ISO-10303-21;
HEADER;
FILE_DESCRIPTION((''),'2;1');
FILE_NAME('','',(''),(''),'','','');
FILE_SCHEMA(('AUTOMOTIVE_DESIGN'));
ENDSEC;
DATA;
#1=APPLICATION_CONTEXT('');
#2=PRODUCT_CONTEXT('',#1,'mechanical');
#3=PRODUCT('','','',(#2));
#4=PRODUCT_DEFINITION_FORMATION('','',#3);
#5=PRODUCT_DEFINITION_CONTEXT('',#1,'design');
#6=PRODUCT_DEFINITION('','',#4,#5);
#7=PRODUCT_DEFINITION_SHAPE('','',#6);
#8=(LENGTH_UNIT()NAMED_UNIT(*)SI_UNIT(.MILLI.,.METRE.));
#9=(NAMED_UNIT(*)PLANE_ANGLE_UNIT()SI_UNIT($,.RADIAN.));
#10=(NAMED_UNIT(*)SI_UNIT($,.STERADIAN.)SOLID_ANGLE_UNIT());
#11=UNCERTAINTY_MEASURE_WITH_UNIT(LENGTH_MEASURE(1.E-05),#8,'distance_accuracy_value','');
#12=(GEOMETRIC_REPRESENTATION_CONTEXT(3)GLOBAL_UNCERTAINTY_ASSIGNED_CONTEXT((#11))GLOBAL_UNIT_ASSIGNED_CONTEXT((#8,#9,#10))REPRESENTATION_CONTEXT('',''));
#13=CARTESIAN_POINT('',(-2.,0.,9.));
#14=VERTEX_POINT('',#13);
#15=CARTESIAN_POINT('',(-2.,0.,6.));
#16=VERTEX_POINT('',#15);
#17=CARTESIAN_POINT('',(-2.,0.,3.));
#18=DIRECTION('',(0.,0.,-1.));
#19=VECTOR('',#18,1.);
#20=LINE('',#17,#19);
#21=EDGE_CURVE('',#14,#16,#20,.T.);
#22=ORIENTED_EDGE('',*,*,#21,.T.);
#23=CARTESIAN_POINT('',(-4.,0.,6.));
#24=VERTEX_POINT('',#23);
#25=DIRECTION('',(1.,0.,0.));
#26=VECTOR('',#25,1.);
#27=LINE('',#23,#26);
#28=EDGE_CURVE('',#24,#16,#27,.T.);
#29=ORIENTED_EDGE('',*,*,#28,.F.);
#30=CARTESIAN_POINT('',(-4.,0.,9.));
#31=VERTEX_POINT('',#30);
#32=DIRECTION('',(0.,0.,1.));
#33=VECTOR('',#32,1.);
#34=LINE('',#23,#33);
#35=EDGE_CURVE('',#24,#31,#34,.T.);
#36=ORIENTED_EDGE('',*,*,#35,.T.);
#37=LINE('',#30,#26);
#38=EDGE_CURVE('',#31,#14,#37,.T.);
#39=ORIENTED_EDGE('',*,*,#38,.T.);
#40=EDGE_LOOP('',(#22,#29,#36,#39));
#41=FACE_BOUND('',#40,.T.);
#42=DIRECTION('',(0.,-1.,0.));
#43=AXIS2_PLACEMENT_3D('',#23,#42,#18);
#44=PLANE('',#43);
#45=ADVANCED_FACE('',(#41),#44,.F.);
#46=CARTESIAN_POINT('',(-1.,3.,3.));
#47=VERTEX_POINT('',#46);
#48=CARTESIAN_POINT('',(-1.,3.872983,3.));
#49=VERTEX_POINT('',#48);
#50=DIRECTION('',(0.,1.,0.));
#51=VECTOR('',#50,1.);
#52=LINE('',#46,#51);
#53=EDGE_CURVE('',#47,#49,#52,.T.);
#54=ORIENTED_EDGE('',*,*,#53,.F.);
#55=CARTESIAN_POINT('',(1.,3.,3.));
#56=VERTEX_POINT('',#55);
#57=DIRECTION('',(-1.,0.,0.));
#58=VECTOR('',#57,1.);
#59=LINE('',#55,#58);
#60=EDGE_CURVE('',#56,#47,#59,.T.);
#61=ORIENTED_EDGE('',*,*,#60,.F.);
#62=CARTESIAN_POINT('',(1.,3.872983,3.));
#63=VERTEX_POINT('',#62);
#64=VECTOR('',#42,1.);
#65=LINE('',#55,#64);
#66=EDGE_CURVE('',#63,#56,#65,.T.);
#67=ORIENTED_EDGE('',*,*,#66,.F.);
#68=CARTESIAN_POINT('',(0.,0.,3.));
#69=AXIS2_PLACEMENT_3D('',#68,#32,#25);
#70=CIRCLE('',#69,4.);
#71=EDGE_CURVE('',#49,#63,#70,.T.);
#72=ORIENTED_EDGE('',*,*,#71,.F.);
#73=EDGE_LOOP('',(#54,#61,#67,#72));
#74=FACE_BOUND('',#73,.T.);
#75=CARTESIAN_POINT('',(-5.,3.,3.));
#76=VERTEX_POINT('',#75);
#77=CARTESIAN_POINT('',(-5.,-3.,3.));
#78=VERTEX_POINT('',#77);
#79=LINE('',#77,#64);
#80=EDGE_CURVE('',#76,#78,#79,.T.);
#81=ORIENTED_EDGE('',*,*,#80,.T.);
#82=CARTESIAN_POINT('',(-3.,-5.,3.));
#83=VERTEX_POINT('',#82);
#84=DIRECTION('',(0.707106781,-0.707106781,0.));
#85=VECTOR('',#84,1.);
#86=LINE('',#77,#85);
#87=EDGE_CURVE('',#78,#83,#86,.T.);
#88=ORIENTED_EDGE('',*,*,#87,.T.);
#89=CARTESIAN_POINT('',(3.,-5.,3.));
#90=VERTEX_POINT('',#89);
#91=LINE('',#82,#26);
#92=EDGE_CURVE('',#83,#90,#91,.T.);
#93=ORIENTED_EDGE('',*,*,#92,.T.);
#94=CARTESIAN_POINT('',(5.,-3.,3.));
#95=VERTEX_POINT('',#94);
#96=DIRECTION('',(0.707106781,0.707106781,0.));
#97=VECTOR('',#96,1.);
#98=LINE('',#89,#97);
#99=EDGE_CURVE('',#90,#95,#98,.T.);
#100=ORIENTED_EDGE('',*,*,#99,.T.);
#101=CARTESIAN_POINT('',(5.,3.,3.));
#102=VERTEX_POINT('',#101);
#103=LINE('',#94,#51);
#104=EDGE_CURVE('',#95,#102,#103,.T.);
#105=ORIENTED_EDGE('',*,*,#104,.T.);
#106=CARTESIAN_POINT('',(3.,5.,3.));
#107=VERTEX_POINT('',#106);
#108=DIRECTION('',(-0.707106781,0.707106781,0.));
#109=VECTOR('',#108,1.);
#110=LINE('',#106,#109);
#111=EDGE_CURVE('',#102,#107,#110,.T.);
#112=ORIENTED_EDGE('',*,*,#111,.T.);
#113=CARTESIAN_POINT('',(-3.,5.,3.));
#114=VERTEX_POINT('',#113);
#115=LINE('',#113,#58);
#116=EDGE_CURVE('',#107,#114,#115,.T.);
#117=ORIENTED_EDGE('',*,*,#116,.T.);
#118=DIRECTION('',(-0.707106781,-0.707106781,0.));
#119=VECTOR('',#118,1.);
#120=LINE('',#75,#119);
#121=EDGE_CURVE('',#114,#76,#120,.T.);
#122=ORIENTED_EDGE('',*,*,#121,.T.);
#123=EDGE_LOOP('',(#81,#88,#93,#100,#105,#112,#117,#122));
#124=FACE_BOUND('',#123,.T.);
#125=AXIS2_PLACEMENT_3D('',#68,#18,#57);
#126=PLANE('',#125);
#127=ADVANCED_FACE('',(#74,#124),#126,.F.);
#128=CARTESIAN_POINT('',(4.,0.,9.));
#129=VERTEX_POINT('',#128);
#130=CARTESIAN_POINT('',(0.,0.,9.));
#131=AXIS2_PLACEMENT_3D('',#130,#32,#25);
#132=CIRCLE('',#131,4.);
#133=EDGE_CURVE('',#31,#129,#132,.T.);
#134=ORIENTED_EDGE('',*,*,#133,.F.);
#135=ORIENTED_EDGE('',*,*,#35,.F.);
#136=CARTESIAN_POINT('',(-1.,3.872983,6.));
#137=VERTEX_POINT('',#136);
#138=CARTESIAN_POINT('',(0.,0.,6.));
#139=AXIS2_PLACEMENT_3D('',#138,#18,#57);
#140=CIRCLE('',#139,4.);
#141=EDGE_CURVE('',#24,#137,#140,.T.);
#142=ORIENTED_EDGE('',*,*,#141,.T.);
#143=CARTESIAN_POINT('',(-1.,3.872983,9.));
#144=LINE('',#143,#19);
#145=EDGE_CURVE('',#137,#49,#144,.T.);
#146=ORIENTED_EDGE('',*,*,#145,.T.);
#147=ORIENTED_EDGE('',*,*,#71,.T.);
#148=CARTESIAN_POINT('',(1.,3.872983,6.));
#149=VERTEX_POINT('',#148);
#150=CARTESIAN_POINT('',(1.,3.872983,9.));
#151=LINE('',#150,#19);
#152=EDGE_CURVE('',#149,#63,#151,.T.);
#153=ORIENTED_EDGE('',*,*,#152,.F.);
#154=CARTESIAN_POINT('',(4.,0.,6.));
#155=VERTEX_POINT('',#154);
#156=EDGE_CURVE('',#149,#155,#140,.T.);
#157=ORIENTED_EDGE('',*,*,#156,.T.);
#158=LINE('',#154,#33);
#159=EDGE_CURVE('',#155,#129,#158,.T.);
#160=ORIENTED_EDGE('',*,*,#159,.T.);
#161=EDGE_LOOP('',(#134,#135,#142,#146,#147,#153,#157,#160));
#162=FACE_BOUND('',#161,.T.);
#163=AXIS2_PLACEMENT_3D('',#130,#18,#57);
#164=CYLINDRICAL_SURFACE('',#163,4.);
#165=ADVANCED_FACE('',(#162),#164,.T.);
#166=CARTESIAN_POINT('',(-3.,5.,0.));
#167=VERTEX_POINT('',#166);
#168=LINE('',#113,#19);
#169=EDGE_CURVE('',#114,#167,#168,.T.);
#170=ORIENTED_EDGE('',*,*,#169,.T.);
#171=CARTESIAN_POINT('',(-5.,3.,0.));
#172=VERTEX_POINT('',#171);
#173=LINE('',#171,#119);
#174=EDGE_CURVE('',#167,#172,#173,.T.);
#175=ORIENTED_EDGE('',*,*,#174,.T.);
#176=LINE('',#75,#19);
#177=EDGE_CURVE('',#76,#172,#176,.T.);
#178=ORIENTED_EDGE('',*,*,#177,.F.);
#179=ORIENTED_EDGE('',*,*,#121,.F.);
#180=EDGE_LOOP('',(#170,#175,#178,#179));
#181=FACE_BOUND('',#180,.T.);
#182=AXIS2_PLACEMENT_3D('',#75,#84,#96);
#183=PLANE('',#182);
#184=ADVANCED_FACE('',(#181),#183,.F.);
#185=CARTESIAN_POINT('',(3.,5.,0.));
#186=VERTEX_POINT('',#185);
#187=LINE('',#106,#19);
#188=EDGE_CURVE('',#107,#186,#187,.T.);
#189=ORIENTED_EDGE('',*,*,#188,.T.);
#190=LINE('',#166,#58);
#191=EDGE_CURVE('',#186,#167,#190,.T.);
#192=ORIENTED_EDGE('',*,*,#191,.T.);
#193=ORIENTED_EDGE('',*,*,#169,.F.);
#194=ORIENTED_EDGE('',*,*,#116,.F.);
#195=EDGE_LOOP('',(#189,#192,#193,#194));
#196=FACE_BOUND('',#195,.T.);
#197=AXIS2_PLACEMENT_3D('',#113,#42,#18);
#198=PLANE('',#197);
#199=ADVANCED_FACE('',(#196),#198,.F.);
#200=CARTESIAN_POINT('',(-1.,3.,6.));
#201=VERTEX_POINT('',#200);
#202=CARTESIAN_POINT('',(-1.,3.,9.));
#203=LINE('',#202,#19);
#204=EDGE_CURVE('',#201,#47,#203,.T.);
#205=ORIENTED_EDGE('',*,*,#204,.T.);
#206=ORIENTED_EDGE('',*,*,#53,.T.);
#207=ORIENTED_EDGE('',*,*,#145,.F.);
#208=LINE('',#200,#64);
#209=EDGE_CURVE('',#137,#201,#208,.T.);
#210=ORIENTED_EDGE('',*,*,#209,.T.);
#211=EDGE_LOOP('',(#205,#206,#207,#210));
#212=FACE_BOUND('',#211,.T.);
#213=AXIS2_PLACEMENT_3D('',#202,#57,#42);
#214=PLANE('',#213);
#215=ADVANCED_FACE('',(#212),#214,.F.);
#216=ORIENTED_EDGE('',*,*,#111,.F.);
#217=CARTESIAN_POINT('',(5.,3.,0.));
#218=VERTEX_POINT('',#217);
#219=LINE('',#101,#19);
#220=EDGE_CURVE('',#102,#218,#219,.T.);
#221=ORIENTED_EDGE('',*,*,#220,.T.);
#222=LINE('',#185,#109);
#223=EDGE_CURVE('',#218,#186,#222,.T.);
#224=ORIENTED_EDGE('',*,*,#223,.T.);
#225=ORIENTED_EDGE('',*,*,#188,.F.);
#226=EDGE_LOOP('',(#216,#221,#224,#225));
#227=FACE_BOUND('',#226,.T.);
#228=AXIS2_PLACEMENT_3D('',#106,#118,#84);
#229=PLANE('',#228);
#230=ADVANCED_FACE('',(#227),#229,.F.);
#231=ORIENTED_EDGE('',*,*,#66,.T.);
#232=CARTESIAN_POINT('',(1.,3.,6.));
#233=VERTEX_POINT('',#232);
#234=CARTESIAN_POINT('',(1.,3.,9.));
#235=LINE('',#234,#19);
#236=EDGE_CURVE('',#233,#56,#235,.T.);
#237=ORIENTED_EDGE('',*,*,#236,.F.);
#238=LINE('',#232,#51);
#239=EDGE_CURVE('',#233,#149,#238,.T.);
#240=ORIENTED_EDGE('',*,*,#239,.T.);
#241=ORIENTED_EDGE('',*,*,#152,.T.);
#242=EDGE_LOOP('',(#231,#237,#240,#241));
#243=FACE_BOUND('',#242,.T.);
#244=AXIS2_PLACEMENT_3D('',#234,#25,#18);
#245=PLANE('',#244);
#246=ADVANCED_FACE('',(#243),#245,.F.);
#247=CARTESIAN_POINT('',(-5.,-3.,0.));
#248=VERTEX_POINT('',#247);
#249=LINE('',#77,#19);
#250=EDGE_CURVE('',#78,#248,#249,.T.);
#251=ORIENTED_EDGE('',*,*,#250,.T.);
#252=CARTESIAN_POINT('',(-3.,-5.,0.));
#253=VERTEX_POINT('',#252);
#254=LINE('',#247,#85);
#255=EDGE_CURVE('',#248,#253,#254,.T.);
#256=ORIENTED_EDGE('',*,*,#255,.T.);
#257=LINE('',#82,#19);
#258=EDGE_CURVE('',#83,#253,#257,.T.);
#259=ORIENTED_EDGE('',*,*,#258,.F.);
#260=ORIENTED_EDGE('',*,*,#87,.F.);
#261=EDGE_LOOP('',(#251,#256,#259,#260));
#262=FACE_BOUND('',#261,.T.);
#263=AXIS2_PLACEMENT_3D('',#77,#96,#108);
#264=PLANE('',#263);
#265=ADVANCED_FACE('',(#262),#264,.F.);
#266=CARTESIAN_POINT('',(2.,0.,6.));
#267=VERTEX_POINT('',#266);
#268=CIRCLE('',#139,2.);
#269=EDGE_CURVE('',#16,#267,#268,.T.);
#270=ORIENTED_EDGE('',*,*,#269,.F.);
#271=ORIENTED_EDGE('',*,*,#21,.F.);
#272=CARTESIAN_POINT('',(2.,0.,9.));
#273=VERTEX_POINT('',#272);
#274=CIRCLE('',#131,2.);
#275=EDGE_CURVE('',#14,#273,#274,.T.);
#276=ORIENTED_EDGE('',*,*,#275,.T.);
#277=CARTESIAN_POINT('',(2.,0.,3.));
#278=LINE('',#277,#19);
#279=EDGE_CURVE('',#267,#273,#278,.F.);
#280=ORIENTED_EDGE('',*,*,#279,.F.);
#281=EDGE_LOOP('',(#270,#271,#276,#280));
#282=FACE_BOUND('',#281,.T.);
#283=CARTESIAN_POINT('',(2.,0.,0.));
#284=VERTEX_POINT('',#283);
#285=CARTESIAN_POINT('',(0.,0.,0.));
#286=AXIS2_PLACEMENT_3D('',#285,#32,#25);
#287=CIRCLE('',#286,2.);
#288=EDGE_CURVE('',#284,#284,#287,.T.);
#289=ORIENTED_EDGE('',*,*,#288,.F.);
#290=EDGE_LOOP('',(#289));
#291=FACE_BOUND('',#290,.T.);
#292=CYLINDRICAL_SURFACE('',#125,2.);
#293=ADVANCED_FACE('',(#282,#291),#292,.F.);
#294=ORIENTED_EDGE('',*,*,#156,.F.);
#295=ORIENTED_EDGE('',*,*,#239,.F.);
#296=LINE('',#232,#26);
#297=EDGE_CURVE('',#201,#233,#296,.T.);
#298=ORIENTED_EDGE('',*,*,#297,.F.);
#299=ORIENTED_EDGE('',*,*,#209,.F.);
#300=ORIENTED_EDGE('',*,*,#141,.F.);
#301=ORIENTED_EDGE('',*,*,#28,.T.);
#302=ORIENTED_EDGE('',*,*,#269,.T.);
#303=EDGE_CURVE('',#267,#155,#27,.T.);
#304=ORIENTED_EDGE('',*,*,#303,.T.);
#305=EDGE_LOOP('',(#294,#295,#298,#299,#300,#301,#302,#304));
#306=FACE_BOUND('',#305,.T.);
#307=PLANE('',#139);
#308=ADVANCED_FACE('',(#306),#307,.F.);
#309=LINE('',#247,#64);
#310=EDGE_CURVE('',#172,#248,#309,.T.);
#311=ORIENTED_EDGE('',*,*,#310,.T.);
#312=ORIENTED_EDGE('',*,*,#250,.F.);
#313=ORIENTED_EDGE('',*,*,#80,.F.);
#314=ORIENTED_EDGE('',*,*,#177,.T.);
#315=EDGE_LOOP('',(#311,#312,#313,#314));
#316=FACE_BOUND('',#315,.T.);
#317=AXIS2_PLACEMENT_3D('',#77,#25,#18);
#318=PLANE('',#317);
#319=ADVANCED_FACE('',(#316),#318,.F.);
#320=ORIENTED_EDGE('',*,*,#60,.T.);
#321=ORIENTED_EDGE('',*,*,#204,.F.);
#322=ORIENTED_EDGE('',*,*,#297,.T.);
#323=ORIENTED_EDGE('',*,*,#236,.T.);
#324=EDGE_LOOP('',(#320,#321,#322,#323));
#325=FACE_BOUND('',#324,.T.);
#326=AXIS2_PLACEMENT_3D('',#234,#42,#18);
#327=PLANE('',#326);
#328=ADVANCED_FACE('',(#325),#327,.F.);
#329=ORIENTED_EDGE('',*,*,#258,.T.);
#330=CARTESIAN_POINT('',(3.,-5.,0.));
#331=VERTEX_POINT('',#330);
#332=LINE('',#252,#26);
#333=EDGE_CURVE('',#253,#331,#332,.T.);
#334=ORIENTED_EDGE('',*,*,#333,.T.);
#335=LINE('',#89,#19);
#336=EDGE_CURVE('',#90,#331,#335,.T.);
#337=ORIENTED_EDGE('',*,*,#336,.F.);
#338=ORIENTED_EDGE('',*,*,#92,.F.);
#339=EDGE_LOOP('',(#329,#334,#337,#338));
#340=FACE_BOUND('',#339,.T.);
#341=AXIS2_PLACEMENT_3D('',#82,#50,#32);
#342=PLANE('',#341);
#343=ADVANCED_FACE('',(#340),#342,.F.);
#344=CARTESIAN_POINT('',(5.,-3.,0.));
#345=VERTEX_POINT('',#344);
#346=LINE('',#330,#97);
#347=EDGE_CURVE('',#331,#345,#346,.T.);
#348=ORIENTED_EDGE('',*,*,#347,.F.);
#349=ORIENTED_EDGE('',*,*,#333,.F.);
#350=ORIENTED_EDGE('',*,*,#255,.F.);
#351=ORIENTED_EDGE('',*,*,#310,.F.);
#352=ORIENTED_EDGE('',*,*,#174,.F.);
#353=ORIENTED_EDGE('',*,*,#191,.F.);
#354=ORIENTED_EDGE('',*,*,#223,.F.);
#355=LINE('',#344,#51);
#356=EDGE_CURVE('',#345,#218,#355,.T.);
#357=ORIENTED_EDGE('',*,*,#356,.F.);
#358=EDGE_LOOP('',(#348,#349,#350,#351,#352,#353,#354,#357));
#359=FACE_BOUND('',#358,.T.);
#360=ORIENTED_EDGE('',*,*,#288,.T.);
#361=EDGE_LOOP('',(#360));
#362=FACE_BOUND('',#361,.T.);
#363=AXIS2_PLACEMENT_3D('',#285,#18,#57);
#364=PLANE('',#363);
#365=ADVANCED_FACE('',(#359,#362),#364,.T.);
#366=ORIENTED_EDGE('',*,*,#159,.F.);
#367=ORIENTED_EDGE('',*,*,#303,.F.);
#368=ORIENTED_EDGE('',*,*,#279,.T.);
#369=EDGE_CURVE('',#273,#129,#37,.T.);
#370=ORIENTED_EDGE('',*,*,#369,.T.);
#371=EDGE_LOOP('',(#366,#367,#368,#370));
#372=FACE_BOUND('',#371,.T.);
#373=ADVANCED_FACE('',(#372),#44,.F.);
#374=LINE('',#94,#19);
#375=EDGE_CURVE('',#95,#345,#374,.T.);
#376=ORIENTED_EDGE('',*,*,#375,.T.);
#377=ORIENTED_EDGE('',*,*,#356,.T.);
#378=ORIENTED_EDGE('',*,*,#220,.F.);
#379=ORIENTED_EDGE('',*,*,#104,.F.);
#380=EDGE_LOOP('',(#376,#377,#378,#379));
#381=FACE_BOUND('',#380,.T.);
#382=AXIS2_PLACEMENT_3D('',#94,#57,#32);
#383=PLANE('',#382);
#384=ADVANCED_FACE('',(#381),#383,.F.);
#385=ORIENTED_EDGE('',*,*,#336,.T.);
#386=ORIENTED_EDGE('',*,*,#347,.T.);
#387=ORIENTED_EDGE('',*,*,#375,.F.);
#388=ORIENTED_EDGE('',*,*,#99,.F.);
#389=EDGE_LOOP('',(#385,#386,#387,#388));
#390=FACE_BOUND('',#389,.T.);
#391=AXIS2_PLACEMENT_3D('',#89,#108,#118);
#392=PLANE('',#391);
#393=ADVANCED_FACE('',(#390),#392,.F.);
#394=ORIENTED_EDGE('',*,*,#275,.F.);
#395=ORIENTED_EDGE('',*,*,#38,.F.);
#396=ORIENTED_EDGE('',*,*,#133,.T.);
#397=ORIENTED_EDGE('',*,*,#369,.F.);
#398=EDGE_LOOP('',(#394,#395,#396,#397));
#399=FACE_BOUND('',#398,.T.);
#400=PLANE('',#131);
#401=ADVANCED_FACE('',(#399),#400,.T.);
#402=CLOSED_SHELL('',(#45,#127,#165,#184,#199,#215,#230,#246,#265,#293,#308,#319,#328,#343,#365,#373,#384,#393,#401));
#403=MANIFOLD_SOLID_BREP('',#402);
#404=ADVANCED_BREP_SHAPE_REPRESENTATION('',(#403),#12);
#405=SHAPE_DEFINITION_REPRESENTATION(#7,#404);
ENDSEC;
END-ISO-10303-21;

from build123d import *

# Parameters (mm, degrees)
SKETCH2_R           = 2
BOSS_EXTRUDE1_DEPTH = 3
SKETCH3_R           = 2
BOSS_EXTRUDE2_DEPTH = 6
SKETCH4_W           = 8
SKETCH4_H           = 4.603389885
CUT_EXTRUDE1_DEPTH  = 3


with BuildPart() as part:
    # Sketch2 → Boss-Extrude1 (new body)
    with BuildSketch(Plane.XY):
        Polygon((-5, 3), (-3, 5), (3, 5), (5, 3), (5, -3), (3, -5), (-3, -5), (-5, -3), align=None)
        Circle(SKETCH2_R, mode=Mode.SUBTRACT)
    extrude(amount=BOSS_EXTRUDE1_DEPTH)

    # Sketch3 → Boss-Extrude2 (add)
    with BuildSketch(Plane.XY.offset(3)):
        with BuildLine():
            Line((1, 3), (-1, 3))
            Line((-1, 3), (-1, 3.872983346))
            ThreePointArc((-1, 3.872983346), (0, -4), (1, 3.872983346))
            Line((1, 3.872983346), (1, 3))
        make_face()
        Circle(SKETCH3_R, mode=Mode.SUBTRACT)
    extrude(amount=BOSS_EXTRUDE2_DEPTH)

    # Sketch4 → Cut-Extrude1 (cut)
    with BuildSketch(Plane.XY.offset(9)):
        with Locations((0, 2.301694943)):
            Rectangle(SKETCH4_W, SKETCH4_H)
    extrude(amount=-CUT_EXTRUDE1_DEPTH, mode=Mode.SUBTRACT)


solid = part.part
